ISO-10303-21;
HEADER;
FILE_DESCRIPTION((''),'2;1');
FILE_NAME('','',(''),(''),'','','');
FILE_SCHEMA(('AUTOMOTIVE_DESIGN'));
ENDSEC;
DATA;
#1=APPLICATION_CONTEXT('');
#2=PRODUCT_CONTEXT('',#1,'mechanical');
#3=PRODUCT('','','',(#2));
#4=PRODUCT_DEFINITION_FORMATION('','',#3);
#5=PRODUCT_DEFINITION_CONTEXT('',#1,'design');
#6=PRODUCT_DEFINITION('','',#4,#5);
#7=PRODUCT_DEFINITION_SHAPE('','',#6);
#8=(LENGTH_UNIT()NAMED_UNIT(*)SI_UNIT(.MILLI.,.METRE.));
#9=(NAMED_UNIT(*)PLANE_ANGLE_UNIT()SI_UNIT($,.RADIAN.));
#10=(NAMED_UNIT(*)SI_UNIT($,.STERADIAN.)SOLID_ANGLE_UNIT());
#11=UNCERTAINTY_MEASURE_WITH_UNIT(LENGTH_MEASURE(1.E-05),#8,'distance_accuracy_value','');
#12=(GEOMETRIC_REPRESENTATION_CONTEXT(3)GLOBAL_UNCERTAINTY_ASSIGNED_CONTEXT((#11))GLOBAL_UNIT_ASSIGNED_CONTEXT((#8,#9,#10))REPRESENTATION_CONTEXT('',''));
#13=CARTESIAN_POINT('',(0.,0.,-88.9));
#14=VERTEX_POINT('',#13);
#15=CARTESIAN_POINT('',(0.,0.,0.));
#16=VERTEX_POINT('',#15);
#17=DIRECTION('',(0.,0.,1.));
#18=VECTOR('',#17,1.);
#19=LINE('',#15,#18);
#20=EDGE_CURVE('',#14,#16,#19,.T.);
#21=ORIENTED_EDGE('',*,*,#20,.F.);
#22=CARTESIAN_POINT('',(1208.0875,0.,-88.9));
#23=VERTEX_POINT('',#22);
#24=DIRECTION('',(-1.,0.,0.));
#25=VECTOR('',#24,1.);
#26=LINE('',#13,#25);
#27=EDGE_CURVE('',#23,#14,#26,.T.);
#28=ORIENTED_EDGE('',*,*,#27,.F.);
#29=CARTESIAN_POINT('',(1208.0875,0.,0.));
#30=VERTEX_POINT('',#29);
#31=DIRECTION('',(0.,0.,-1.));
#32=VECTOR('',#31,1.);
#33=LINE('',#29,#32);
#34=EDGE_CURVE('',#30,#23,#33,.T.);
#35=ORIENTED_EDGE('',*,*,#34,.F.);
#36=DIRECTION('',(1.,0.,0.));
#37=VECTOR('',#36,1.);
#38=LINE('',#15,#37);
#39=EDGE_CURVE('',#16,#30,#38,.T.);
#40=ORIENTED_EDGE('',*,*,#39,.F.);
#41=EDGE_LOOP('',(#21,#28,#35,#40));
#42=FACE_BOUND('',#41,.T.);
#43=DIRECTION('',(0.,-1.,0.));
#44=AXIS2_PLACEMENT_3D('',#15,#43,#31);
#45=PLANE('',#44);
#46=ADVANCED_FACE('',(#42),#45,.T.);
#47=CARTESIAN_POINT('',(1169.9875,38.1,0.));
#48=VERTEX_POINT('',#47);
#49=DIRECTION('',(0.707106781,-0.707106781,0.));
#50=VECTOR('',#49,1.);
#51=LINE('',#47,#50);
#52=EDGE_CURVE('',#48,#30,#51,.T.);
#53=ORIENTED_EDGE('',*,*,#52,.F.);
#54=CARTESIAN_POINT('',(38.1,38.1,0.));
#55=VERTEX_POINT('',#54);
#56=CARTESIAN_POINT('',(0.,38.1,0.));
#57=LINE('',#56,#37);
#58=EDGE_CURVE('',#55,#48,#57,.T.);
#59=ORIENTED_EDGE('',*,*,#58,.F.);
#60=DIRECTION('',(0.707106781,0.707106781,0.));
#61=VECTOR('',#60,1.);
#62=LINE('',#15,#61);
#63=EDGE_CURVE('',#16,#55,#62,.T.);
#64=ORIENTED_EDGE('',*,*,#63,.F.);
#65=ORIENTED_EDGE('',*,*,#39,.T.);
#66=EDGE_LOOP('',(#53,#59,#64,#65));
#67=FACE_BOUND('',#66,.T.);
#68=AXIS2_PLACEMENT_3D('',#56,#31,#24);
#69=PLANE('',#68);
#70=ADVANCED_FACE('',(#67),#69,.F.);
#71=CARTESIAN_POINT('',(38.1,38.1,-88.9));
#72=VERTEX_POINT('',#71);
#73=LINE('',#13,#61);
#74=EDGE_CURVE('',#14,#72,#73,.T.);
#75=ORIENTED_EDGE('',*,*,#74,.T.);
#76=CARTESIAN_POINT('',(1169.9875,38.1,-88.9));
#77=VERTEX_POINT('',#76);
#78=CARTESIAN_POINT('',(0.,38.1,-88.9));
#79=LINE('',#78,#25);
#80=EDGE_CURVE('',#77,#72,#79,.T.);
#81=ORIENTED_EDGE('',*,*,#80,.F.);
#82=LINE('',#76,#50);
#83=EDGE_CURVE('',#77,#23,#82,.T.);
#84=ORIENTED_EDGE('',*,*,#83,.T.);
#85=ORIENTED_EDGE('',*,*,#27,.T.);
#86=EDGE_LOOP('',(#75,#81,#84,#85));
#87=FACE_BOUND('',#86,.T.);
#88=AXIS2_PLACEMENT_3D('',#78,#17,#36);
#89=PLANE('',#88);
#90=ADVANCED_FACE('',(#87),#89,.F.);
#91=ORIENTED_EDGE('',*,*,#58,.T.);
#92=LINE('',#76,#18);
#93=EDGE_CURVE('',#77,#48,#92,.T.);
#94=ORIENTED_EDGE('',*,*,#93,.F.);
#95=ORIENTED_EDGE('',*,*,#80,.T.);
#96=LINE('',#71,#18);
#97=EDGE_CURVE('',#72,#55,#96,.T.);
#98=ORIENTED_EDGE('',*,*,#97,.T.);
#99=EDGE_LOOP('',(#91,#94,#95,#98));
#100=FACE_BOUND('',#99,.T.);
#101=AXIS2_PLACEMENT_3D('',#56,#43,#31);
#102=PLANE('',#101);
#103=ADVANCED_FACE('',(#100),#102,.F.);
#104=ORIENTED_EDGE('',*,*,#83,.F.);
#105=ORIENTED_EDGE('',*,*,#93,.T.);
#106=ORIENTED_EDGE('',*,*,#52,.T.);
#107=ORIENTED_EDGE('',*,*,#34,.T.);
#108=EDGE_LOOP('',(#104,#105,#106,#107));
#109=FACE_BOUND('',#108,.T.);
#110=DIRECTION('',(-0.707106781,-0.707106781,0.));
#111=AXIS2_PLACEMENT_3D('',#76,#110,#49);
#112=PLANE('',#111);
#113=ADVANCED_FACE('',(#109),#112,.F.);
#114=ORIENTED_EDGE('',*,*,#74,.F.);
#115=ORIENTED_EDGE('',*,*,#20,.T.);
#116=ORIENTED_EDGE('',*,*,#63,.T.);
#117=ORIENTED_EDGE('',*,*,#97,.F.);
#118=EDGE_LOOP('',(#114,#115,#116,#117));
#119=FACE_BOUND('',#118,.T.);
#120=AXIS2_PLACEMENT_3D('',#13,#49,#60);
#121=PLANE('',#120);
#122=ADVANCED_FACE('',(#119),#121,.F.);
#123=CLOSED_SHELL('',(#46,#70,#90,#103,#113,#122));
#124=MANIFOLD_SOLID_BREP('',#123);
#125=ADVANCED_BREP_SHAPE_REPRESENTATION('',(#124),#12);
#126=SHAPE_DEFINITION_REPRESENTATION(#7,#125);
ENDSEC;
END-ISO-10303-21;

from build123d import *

# Parameters (mm, degrees)
SKETCH1_W           = 1208.0875
SKETCH1_H           = 88.9
BOSS_EXTRUDE1_DEPTH = 38.1
CUT_EXTRUDE1_DEPTH  = 89.9


with BuildPart() as part:
    # Sketch1 → Boss-Extrude1 (new body)
    with BuildSketch(Plane(origin=(0, 0, 0), x_dir=(1, 0, 0), z_dir=(0, 1, 0))):
        with Locations((604.04375, 44.45)):
            Rectangle(SKETCH1_W, SKETCH1_H)
    extrude(amount=BOSS_EXTRUDE1_DEPTH)

    # Sketch2 → Cut-Extrude1 (cut, through all)
    with BuildSketch(Plane.XY):
        Polygon((0, 0), (38.1, 38.1), (0, 38.1), align=None)
        Polygon((1208.0875, 0), (1208.0875, 38.1), (1169.9875, 38.1), align=None)
    extrude(amount=-CUT_EXTRUDE1_DEPTH, mode=Mode.SUBTRACT)


solid = part.part
